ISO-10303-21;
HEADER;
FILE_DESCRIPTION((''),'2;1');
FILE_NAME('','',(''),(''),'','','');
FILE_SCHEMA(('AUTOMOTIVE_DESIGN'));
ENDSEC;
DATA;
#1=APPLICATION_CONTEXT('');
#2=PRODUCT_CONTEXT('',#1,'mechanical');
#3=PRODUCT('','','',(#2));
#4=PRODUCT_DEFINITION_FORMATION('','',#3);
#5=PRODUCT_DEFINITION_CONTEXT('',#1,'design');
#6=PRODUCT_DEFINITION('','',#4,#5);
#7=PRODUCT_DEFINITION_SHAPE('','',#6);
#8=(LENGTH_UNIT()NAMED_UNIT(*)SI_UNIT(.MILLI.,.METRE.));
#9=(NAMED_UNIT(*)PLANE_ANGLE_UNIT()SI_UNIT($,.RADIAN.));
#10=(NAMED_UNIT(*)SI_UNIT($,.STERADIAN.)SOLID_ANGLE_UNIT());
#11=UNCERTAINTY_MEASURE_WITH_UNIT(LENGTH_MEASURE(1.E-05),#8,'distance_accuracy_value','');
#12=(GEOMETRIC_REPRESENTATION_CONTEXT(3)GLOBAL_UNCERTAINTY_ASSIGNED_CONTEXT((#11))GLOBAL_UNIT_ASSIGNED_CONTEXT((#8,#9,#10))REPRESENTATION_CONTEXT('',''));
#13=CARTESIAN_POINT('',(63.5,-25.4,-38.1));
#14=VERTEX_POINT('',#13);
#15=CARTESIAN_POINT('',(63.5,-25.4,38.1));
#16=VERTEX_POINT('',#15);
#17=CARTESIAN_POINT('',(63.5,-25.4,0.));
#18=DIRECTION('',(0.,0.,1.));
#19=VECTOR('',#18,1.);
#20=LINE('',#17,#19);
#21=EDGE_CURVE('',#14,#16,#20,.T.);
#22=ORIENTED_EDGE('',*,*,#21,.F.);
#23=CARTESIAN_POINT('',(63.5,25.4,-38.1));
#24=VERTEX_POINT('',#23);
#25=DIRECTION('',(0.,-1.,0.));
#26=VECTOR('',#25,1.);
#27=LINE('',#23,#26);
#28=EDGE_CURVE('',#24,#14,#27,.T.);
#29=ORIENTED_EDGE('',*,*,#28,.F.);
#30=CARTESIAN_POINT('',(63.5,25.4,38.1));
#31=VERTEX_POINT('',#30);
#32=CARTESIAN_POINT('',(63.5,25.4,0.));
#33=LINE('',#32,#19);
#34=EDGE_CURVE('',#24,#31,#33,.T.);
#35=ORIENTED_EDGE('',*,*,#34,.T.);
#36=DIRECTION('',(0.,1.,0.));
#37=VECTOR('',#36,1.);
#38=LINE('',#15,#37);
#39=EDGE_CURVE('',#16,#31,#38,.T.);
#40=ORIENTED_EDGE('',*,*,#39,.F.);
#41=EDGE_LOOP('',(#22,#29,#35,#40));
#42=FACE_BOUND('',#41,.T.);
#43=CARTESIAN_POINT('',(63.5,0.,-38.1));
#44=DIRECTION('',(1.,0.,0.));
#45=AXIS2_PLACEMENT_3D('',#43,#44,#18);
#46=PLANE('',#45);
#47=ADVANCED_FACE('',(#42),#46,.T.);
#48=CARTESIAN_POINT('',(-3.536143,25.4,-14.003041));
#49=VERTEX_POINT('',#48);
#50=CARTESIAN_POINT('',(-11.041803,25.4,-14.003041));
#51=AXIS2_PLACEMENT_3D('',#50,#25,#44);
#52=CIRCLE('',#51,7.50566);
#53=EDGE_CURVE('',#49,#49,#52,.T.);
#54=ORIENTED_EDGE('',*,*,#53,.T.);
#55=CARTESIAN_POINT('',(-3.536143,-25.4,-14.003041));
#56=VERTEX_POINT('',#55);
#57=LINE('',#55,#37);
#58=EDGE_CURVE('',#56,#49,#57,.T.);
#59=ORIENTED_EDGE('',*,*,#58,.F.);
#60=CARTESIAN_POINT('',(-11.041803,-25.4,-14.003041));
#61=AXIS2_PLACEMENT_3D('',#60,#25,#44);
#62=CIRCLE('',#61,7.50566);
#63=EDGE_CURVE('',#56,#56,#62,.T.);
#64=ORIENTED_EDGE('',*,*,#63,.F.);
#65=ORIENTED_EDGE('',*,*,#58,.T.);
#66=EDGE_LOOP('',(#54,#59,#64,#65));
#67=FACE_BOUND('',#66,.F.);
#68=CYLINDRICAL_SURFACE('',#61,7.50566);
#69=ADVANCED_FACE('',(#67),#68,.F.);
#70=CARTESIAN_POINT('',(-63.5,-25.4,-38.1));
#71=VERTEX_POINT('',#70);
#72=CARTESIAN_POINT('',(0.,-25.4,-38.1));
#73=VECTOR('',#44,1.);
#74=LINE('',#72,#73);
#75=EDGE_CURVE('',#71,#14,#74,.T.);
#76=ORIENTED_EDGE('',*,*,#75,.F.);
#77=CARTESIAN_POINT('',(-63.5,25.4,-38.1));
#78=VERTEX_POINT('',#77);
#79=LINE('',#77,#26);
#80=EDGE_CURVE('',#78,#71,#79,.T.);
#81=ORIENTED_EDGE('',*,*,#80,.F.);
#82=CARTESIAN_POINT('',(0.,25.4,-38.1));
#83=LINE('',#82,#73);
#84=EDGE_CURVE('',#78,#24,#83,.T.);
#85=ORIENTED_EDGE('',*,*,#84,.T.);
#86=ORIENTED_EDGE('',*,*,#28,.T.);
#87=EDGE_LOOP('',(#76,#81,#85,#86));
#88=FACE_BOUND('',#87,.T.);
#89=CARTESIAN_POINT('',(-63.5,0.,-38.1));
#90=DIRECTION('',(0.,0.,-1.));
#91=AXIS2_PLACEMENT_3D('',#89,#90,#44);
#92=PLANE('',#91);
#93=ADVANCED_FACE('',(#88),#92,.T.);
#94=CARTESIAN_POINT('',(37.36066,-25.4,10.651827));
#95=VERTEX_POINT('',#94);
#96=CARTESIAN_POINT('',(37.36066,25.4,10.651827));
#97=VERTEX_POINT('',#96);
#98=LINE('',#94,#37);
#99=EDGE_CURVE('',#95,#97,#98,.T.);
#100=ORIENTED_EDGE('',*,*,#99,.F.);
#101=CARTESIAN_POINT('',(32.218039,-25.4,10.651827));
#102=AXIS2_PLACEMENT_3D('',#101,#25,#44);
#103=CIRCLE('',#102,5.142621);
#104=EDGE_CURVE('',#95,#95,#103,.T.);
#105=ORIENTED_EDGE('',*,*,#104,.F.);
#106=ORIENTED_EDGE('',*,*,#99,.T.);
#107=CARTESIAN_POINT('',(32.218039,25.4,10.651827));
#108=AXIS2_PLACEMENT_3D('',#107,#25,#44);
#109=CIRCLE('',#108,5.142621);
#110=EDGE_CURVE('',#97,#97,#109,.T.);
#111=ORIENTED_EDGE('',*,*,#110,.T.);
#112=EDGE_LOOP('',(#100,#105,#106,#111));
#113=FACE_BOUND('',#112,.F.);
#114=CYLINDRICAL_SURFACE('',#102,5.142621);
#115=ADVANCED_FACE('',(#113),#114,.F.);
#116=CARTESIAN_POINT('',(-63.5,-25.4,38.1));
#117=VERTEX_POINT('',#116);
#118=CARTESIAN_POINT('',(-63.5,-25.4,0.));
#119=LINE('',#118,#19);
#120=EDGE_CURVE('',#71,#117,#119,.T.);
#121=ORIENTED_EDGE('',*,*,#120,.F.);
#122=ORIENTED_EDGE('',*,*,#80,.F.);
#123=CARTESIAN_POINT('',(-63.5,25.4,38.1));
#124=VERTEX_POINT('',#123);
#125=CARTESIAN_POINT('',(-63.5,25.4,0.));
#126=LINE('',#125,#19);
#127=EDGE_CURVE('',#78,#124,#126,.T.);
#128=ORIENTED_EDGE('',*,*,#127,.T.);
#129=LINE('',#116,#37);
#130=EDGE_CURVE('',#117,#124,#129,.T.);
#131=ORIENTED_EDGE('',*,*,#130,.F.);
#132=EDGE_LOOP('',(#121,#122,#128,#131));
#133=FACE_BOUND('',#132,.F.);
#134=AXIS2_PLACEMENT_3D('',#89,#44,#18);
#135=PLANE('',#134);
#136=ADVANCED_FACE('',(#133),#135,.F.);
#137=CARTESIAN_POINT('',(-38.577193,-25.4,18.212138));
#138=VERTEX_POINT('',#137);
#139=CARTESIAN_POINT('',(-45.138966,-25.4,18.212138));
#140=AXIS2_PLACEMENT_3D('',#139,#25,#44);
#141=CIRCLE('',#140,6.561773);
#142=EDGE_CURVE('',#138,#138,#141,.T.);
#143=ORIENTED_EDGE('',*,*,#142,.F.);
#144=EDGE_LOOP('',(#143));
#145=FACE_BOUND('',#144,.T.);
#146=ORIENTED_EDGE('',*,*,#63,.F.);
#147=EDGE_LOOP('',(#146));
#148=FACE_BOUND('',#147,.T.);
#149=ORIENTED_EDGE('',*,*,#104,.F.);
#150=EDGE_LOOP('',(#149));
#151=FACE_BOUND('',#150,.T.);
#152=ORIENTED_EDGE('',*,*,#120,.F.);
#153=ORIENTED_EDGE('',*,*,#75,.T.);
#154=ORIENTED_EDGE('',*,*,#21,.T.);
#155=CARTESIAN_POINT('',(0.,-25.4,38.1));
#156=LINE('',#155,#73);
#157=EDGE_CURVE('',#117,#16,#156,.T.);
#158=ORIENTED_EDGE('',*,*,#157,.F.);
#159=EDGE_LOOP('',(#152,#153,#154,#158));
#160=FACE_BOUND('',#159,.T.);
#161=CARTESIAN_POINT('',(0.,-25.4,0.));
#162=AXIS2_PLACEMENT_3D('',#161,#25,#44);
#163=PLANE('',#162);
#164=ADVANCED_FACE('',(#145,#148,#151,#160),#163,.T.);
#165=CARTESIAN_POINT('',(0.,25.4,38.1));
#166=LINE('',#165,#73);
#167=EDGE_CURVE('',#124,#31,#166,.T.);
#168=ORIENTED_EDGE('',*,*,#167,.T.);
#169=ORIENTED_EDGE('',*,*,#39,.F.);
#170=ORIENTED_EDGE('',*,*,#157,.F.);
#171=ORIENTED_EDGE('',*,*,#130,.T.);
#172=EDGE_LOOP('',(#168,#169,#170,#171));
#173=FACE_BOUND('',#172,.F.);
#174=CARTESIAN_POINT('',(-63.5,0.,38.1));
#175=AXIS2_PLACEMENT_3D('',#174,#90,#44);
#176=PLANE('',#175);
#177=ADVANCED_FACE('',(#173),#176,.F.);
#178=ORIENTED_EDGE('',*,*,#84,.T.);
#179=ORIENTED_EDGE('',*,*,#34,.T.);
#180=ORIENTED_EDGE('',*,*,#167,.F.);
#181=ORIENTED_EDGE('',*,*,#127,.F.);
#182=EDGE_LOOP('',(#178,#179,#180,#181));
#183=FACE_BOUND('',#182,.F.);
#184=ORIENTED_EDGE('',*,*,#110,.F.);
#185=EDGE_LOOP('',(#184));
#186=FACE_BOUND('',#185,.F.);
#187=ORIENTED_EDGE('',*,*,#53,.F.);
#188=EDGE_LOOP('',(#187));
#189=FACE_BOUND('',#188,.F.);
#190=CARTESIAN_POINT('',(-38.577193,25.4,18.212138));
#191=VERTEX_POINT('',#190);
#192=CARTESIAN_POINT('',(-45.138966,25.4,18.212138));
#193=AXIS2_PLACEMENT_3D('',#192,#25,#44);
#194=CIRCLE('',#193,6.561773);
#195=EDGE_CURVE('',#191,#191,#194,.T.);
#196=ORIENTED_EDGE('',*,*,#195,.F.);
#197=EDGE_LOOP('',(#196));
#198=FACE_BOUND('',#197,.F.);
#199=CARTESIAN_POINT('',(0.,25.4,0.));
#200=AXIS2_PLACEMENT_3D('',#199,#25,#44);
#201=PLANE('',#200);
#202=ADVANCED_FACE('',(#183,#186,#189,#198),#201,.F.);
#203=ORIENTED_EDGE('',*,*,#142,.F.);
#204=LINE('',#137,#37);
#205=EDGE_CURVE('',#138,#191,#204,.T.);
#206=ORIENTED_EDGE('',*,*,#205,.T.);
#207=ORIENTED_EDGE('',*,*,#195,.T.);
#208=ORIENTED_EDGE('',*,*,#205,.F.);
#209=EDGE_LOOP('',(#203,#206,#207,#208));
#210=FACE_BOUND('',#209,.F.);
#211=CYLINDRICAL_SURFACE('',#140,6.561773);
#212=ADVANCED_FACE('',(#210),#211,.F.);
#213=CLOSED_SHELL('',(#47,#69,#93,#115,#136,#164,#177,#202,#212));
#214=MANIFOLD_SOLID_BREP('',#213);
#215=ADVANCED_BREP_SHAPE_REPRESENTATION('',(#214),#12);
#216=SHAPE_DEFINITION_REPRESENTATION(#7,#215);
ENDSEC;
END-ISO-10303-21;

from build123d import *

# Parameters (mm, degrees)
F0_W     = 127
F0_H     = 76.2
F1_DEPTH = 25.4
F2_R     = 6.561773
F2_R_2   = 5.142621
F2_R_3   = 7.50566
F3_DEPTH = 50.801


with BuildPart() as f1:
    # F0 (on Front) → F1 (new body, symmetric)
    with BuildSketch(Plane.XZ):
        Rectangle(F0_W, F0_H)
    extrude(amount=F1_DEPTH, both=True)

    # F2 (on face) → F3 (cut, through all)
    with BuildSketch(Plane.XZ.offset(25.4)):
        with Locations((-45.138966, 18.212138)):
            Circle(F2_R)
        with Locations((32.218039, 10.651827)):
            Circle(F2_R_2)
        with Locations((-11.041803, -14.003041)):
            Circle(F2_R_3)
    extrude(amount=-F3_DEPTH, mode=Mode.SUBTRACT)


solid = f1.part
